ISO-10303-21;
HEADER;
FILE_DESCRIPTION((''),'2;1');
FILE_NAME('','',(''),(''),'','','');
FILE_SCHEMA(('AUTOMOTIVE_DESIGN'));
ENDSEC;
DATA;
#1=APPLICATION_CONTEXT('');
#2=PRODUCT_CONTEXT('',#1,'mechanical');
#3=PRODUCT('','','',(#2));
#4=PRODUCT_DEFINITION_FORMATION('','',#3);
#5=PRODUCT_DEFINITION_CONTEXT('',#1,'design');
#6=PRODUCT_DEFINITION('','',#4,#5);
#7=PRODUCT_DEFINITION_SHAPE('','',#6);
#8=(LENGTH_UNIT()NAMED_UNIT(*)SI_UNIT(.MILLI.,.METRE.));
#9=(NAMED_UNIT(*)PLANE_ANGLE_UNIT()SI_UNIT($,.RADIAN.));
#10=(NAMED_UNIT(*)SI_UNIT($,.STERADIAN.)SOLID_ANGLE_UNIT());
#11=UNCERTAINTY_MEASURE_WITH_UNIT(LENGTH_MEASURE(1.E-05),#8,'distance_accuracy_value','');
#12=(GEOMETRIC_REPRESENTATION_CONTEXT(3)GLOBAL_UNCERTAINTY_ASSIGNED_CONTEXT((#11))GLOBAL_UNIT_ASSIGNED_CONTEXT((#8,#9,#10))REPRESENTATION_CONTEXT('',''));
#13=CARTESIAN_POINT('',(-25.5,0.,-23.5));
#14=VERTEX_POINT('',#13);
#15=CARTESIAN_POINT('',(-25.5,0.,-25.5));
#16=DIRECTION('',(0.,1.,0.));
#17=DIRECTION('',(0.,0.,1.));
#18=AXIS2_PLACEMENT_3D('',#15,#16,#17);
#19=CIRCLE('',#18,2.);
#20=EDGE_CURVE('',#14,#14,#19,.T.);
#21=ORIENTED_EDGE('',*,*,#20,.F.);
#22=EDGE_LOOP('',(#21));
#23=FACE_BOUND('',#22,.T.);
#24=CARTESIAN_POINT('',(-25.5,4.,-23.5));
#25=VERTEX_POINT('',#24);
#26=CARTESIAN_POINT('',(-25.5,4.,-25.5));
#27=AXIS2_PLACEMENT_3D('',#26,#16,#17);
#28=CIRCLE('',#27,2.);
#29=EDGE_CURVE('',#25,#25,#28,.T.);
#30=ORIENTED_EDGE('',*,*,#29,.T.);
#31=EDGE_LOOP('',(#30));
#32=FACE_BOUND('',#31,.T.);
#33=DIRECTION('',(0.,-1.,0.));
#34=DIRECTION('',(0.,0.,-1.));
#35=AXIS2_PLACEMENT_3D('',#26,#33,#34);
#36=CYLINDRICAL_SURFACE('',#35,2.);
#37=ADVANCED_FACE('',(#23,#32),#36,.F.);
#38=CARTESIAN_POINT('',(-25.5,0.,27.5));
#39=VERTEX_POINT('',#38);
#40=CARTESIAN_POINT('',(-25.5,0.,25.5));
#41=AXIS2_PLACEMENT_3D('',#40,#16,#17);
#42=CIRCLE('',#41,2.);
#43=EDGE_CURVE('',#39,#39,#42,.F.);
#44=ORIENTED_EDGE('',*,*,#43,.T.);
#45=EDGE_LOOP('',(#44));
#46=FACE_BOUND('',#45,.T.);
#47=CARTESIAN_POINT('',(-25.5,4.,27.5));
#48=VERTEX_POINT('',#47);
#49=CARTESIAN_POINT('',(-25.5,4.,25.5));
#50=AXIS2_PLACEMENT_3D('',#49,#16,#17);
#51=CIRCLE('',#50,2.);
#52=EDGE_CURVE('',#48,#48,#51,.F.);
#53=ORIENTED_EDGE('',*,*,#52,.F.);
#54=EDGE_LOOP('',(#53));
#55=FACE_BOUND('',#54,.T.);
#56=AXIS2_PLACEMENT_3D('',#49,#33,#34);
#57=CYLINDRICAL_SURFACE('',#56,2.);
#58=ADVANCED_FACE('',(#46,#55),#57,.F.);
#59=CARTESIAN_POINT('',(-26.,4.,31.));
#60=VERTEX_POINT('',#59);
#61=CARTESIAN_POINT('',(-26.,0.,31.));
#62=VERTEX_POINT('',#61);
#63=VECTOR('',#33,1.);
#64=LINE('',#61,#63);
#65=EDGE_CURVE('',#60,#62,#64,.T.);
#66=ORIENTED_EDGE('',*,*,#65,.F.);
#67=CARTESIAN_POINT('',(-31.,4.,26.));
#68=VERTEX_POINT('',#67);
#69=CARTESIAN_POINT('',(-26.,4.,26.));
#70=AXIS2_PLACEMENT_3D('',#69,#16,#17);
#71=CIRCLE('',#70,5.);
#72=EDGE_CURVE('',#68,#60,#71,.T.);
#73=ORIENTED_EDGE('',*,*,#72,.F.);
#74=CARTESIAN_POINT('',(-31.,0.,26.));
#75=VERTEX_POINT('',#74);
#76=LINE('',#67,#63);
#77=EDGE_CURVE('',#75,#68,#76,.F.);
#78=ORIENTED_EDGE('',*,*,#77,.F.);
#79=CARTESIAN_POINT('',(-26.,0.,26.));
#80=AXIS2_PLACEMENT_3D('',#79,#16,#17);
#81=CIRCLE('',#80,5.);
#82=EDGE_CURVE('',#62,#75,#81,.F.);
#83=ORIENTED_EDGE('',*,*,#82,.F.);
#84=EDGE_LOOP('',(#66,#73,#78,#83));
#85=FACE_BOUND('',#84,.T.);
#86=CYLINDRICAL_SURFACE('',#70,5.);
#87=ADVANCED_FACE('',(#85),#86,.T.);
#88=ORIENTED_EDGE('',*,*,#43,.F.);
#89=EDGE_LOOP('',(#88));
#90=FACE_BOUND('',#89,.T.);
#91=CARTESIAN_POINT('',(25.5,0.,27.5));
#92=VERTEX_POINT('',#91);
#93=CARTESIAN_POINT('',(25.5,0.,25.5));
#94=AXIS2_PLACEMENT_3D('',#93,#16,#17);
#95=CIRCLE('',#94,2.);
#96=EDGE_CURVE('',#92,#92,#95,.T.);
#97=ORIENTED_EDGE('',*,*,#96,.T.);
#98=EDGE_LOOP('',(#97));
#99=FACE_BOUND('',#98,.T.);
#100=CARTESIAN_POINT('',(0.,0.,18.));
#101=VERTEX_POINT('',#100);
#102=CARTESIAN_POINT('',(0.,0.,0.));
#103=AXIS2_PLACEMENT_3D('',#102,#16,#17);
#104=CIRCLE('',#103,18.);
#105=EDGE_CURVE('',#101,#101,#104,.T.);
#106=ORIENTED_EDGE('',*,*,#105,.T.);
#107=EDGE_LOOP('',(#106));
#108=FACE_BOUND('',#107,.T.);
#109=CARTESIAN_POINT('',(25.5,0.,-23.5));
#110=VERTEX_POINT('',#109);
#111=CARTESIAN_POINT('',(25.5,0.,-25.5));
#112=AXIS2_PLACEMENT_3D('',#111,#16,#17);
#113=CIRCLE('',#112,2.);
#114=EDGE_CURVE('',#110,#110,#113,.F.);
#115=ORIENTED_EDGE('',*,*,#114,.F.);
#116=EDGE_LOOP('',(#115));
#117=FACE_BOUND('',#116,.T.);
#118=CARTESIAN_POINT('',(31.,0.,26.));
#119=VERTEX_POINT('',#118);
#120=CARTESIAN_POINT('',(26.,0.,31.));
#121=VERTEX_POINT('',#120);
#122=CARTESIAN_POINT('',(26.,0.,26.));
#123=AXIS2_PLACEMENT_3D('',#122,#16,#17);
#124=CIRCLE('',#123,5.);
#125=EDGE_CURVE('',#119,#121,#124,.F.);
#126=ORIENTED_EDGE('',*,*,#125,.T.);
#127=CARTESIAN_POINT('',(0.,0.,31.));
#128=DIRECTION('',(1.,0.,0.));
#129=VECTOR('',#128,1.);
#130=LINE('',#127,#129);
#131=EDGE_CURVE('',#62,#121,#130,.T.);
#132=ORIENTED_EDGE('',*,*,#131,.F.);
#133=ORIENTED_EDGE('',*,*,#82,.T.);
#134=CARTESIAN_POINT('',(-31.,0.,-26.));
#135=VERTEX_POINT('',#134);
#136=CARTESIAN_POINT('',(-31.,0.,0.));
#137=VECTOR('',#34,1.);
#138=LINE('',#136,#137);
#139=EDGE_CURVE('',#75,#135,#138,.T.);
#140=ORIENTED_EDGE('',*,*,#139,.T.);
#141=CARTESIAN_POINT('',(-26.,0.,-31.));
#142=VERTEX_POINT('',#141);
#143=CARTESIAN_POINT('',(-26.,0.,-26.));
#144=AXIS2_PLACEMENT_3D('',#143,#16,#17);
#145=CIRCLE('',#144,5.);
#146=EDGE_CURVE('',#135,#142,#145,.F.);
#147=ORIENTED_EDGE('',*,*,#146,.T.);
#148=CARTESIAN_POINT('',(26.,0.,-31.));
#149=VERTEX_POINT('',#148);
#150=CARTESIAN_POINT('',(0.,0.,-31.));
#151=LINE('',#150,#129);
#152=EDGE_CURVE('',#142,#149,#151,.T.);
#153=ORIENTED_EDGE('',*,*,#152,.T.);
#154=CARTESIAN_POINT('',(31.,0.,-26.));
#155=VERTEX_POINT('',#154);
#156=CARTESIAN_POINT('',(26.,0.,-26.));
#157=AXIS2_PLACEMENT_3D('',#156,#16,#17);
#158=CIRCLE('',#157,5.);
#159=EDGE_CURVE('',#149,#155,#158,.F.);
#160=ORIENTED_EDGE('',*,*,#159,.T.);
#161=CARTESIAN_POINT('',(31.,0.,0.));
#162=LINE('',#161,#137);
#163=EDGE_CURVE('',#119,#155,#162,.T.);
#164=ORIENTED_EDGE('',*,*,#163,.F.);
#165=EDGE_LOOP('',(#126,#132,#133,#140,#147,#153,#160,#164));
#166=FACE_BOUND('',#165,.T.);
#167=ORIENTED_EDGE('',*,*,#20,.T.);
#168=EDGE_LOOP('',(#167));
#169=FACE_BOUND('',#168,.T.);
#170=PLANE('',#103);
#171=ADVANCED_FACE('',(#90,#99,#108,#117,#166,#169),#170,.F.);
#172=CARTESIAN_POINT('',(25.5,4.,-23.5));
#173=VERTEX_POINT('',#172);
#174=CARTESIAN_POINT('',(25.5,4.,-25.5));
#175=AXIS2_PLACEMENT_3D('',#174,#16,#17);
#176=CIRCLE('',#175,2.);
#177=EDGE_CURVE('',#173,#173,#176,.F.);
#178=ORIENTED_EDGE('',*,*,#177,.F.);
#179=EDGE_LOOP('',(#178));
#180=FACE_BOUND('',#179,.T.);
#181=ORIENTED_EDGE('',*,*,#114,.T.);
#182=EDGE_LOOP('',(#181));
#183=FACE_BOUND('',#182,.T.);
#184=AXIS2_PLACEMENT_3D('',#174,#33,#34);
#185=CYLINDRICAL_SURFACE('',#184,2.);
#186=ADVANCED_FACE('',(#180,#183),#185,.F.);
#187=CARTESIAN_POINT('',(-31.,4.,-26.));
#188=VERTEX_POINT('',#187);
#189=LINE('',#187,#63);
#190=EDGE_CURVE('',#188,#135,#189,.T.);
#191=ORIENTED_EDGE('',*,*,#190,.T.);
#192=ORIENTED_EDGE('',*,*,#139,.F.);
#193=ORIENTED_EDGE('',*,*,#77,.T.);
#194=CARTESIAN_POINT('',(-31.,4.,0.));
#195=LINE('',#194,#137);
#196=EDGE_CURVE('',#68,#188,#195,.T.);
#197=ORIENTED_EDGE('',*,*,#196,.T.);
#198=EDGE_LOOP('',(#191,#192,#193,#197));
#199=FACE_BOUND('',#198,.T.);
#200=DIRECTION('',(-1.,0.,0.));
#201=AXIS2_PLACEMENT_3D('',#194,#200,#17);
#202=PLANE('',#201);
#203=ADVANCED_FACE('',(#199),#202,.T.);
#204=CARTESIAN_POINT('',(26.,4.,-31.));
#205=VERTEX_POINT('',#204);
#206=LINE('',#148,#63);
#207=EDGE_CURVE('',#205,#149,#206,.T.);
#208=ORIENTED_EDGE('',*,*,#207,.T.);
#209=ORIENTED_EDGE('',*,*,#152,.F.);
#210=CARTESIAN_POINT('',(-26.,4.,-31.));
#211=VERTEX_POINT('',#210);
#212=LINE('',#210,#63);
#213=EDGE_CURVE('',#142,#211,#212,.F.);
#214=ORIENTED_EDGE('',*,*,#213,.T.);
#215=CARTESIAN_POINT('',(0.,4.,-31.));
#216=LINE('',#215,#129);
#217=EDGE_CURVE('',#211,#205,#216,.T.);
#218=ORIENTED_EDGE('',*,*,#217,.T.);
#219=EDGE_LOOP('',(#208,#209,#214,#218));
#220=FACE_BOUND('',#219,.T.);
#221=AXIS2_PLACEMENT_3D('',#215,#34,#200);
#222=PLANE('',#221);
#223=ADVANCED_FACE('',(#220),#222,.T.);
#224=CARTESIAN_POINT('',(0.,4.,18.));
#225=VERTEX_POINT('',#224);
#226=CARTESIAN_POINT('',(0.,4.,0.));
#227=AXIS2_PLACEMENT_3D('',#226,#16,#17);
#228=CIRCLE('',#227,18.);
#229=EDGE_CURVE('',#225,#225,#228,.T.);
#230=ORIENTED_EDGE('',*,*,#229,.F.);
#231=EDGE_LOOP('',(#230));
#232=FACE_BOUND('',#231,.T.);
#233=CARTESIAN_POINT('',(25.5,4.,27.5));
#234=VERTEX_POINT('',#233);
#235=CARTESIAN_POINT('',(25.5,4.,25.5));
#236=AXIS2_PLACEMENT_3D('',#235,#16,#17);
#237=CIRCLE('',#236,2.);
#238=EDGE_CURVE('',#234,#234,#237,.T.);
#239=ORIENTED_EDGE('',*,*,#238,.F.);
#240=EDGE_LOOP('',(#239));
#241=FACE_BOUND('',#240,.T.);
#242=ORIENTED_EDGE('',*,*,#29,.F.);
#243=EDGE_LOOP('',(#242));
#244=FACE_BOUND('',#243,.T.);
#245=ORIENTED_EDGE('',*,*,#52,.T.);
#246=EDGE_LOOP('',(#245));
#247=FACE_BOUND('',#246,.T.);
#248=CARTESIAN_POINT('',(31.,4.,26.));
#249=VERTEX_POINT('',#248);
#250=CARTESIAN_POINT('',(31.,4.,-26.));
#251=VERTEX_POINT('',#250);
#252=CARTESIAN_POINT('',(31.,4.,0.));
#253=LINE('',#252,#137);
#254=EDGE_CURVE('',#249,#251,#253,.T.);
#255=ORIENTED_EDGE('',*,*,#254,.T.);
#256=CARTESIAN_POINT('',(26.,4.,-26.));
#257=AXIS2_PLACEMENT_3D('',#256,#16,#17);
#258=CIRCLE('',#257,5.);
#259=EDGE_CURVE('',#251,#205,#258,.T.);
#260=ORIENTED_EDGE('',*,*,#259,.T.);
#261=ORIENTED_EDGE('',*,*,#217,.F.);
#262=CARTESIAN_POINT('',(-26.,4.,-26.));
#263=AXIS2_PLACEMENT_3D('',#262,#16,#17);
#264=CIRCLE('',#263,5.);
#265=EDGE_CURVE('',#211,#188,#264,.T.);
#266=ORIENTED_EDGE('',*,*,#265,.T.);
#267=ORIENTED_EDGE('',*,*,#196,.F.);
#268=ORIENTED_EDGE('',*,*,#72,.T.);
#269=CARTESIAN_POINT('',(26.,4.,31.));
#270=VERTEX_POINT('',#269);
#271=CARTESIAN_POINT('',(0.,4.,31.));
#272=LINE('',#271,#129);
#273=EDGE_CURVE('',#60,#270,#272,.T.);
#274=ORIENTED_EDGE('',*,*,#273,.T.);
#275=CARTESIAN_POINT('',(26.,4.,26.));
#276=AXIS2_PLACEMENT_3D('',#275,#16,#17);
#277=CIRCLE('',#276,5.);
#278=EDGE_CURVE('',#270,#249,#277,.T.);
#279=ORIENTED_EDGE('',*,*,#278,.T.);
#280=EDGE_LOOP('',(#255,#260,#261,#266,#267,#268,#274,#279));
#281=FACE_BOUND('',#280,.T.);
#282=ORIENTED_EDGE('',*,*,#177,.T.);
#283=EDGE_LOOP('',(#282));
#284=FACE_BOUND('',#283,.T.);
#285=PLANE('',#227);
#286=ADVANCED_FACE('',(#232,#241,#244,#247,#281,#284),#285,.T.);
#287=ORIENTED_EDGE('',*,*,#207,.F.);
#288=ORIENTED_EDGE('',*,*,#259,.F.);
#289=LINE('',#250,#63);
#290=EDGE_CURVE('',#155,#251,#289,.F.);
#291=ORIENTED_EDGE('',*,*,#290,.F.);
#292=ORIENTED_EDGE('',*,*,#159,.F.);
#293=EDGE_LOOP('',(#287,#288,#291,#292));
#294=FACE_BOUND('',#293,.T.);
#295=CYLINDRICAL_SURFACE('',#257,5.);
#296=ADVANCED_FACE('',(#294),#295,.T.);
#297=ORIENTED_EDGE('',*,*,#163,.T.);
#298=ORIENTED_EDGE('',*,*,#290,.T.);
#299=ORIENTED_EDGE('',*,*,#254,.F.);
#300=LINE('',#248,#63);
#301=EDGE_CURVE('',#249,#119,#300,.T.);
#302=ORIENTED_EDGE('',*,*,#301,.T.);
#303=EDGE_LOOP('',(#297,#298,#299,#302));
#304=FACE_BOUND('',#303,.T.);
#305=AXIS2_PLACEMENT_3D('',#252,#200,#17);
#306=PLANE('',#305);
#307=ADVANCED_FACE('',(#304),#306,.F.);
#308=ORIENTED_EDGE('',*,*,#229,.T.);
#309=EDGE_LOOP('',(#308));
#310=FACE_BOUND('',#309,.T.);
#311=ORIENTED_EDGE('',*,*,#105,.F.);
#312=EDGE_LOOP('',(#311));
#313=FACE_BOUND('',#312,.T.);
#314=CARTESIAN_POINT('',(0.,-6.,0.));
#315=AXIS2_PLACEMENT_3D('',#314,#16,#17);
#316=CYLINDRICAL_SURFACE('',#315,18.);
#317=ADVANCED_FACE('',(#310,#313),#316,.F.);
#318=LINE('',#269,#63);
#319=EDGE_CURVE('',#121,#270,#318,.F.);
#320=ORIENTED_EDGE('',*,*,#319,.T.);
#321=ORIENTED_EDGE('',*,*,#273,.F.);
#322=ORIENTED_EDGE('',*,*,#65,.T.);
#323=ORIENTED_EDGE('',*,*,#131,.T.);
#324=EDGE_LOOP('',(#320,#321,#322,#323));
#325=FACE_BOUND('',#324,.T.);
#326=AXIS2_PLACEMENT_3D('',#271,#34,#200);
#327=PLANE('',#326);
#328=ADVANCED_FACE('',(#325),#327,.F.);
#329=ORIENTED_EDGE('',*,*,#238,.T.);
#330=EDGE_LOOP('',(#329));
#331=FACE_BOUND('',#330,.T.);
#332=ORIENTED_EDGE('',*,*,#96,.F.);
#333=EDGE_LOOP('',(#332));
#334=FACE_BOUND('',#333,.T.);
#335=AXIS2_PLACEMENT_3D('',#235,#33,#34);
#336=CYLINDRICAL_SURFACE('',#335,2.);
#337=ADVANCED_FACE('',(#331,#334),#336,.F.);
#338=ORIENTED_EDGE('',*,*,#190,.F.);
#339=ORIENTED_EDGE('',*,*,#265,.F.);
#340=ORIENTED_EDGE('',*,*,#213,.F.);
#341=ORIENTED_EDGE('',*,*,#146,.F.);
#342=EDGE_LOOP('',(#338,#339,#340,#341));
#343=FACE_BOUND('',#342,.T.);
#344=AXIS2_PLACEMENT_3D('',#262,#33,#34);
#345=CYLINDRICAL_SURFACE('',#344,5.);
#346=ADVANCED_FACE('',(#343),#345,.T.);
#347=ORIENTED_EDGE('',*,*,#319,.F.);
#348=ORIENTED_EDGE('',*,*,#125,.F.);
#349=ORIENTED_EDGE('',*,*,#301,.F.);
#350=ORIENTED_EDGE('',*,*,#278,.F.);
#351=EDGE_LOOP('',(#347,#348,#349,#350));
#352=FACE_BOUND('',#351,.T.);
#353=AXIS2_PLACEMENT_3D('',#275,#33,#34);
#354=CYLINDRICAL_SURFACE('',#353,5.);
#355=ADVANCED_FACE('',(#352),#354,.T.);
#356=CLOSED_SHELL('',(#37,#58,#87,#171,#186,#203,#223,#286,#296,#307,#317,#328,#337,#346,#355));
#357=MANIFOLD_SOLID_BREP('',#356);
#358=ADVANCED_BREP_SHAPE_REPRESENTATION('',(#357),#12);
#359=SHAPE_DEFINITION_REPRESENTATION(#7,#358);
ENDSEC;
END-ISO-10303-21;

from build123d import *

# Parameters (mm, degrees)
SKETCH1_W           = 62
SKETCH1_H           = 62
SKETCH1_R           = 2
BOSS_EXTRUDE1_DEPTH = 4
SKETCH2_R           = 18
CUT_EXTRUDE1_DEPTH  = 10
FILLET1_R           = 5


with BuildPart() as part:
    # Sketch1 → Boss-Extrude1 (new body)
    with BuildSketch(Plane(origin=(0, 0, 0), x_dir=(1, 0, 0), z_dir=(0, 1, 0))):
        Rectangle(SKETCH1_W, SKETCH1_H)
        with Locations((25.5, 25.5)):
            Circle(SKETCH1_R, mode=Mode.SUBTRACT)
        with Locations((-25.5, 25.5)):
            Circle(SKETCH1_R, mode=Mode.SUBTRACT)
        with Locations((25.5, -25.5)):
            Circle(SKETCH1_R, mode=Mode.SUBTRACT)
        with Locations((-25.5, -25.5)):
            Circle(SKETCH1_R, mode=Mode.SUBTRACT)
    extrude(amount=BOSS_EXTRUDE1_DEPTH)

    # Sketch2 → Cut-Extrude1 (cut)
    with BuildSketch(Plane(origin=(0, 4, 0), x_dir=(1, 0, 0), z_dir=(0, 1, 0))):
        Circle(SKETCH2_R)
    extrude(amount=-CUT_EXTRUDE1_DEPTH, mode=Mode.SUBTRACT)

    # Fillet1
    fillet1_edges = [part.edges().sort_by_distance(p)[0] for p in [
        (-31, 2, 31),
        (-31, 2, -31),
        (31, 2, -31),
        (31, 2, 31),
    ]]
    fillet(fillet1_edges, radius=FILLET1_R)


solid = part.part
